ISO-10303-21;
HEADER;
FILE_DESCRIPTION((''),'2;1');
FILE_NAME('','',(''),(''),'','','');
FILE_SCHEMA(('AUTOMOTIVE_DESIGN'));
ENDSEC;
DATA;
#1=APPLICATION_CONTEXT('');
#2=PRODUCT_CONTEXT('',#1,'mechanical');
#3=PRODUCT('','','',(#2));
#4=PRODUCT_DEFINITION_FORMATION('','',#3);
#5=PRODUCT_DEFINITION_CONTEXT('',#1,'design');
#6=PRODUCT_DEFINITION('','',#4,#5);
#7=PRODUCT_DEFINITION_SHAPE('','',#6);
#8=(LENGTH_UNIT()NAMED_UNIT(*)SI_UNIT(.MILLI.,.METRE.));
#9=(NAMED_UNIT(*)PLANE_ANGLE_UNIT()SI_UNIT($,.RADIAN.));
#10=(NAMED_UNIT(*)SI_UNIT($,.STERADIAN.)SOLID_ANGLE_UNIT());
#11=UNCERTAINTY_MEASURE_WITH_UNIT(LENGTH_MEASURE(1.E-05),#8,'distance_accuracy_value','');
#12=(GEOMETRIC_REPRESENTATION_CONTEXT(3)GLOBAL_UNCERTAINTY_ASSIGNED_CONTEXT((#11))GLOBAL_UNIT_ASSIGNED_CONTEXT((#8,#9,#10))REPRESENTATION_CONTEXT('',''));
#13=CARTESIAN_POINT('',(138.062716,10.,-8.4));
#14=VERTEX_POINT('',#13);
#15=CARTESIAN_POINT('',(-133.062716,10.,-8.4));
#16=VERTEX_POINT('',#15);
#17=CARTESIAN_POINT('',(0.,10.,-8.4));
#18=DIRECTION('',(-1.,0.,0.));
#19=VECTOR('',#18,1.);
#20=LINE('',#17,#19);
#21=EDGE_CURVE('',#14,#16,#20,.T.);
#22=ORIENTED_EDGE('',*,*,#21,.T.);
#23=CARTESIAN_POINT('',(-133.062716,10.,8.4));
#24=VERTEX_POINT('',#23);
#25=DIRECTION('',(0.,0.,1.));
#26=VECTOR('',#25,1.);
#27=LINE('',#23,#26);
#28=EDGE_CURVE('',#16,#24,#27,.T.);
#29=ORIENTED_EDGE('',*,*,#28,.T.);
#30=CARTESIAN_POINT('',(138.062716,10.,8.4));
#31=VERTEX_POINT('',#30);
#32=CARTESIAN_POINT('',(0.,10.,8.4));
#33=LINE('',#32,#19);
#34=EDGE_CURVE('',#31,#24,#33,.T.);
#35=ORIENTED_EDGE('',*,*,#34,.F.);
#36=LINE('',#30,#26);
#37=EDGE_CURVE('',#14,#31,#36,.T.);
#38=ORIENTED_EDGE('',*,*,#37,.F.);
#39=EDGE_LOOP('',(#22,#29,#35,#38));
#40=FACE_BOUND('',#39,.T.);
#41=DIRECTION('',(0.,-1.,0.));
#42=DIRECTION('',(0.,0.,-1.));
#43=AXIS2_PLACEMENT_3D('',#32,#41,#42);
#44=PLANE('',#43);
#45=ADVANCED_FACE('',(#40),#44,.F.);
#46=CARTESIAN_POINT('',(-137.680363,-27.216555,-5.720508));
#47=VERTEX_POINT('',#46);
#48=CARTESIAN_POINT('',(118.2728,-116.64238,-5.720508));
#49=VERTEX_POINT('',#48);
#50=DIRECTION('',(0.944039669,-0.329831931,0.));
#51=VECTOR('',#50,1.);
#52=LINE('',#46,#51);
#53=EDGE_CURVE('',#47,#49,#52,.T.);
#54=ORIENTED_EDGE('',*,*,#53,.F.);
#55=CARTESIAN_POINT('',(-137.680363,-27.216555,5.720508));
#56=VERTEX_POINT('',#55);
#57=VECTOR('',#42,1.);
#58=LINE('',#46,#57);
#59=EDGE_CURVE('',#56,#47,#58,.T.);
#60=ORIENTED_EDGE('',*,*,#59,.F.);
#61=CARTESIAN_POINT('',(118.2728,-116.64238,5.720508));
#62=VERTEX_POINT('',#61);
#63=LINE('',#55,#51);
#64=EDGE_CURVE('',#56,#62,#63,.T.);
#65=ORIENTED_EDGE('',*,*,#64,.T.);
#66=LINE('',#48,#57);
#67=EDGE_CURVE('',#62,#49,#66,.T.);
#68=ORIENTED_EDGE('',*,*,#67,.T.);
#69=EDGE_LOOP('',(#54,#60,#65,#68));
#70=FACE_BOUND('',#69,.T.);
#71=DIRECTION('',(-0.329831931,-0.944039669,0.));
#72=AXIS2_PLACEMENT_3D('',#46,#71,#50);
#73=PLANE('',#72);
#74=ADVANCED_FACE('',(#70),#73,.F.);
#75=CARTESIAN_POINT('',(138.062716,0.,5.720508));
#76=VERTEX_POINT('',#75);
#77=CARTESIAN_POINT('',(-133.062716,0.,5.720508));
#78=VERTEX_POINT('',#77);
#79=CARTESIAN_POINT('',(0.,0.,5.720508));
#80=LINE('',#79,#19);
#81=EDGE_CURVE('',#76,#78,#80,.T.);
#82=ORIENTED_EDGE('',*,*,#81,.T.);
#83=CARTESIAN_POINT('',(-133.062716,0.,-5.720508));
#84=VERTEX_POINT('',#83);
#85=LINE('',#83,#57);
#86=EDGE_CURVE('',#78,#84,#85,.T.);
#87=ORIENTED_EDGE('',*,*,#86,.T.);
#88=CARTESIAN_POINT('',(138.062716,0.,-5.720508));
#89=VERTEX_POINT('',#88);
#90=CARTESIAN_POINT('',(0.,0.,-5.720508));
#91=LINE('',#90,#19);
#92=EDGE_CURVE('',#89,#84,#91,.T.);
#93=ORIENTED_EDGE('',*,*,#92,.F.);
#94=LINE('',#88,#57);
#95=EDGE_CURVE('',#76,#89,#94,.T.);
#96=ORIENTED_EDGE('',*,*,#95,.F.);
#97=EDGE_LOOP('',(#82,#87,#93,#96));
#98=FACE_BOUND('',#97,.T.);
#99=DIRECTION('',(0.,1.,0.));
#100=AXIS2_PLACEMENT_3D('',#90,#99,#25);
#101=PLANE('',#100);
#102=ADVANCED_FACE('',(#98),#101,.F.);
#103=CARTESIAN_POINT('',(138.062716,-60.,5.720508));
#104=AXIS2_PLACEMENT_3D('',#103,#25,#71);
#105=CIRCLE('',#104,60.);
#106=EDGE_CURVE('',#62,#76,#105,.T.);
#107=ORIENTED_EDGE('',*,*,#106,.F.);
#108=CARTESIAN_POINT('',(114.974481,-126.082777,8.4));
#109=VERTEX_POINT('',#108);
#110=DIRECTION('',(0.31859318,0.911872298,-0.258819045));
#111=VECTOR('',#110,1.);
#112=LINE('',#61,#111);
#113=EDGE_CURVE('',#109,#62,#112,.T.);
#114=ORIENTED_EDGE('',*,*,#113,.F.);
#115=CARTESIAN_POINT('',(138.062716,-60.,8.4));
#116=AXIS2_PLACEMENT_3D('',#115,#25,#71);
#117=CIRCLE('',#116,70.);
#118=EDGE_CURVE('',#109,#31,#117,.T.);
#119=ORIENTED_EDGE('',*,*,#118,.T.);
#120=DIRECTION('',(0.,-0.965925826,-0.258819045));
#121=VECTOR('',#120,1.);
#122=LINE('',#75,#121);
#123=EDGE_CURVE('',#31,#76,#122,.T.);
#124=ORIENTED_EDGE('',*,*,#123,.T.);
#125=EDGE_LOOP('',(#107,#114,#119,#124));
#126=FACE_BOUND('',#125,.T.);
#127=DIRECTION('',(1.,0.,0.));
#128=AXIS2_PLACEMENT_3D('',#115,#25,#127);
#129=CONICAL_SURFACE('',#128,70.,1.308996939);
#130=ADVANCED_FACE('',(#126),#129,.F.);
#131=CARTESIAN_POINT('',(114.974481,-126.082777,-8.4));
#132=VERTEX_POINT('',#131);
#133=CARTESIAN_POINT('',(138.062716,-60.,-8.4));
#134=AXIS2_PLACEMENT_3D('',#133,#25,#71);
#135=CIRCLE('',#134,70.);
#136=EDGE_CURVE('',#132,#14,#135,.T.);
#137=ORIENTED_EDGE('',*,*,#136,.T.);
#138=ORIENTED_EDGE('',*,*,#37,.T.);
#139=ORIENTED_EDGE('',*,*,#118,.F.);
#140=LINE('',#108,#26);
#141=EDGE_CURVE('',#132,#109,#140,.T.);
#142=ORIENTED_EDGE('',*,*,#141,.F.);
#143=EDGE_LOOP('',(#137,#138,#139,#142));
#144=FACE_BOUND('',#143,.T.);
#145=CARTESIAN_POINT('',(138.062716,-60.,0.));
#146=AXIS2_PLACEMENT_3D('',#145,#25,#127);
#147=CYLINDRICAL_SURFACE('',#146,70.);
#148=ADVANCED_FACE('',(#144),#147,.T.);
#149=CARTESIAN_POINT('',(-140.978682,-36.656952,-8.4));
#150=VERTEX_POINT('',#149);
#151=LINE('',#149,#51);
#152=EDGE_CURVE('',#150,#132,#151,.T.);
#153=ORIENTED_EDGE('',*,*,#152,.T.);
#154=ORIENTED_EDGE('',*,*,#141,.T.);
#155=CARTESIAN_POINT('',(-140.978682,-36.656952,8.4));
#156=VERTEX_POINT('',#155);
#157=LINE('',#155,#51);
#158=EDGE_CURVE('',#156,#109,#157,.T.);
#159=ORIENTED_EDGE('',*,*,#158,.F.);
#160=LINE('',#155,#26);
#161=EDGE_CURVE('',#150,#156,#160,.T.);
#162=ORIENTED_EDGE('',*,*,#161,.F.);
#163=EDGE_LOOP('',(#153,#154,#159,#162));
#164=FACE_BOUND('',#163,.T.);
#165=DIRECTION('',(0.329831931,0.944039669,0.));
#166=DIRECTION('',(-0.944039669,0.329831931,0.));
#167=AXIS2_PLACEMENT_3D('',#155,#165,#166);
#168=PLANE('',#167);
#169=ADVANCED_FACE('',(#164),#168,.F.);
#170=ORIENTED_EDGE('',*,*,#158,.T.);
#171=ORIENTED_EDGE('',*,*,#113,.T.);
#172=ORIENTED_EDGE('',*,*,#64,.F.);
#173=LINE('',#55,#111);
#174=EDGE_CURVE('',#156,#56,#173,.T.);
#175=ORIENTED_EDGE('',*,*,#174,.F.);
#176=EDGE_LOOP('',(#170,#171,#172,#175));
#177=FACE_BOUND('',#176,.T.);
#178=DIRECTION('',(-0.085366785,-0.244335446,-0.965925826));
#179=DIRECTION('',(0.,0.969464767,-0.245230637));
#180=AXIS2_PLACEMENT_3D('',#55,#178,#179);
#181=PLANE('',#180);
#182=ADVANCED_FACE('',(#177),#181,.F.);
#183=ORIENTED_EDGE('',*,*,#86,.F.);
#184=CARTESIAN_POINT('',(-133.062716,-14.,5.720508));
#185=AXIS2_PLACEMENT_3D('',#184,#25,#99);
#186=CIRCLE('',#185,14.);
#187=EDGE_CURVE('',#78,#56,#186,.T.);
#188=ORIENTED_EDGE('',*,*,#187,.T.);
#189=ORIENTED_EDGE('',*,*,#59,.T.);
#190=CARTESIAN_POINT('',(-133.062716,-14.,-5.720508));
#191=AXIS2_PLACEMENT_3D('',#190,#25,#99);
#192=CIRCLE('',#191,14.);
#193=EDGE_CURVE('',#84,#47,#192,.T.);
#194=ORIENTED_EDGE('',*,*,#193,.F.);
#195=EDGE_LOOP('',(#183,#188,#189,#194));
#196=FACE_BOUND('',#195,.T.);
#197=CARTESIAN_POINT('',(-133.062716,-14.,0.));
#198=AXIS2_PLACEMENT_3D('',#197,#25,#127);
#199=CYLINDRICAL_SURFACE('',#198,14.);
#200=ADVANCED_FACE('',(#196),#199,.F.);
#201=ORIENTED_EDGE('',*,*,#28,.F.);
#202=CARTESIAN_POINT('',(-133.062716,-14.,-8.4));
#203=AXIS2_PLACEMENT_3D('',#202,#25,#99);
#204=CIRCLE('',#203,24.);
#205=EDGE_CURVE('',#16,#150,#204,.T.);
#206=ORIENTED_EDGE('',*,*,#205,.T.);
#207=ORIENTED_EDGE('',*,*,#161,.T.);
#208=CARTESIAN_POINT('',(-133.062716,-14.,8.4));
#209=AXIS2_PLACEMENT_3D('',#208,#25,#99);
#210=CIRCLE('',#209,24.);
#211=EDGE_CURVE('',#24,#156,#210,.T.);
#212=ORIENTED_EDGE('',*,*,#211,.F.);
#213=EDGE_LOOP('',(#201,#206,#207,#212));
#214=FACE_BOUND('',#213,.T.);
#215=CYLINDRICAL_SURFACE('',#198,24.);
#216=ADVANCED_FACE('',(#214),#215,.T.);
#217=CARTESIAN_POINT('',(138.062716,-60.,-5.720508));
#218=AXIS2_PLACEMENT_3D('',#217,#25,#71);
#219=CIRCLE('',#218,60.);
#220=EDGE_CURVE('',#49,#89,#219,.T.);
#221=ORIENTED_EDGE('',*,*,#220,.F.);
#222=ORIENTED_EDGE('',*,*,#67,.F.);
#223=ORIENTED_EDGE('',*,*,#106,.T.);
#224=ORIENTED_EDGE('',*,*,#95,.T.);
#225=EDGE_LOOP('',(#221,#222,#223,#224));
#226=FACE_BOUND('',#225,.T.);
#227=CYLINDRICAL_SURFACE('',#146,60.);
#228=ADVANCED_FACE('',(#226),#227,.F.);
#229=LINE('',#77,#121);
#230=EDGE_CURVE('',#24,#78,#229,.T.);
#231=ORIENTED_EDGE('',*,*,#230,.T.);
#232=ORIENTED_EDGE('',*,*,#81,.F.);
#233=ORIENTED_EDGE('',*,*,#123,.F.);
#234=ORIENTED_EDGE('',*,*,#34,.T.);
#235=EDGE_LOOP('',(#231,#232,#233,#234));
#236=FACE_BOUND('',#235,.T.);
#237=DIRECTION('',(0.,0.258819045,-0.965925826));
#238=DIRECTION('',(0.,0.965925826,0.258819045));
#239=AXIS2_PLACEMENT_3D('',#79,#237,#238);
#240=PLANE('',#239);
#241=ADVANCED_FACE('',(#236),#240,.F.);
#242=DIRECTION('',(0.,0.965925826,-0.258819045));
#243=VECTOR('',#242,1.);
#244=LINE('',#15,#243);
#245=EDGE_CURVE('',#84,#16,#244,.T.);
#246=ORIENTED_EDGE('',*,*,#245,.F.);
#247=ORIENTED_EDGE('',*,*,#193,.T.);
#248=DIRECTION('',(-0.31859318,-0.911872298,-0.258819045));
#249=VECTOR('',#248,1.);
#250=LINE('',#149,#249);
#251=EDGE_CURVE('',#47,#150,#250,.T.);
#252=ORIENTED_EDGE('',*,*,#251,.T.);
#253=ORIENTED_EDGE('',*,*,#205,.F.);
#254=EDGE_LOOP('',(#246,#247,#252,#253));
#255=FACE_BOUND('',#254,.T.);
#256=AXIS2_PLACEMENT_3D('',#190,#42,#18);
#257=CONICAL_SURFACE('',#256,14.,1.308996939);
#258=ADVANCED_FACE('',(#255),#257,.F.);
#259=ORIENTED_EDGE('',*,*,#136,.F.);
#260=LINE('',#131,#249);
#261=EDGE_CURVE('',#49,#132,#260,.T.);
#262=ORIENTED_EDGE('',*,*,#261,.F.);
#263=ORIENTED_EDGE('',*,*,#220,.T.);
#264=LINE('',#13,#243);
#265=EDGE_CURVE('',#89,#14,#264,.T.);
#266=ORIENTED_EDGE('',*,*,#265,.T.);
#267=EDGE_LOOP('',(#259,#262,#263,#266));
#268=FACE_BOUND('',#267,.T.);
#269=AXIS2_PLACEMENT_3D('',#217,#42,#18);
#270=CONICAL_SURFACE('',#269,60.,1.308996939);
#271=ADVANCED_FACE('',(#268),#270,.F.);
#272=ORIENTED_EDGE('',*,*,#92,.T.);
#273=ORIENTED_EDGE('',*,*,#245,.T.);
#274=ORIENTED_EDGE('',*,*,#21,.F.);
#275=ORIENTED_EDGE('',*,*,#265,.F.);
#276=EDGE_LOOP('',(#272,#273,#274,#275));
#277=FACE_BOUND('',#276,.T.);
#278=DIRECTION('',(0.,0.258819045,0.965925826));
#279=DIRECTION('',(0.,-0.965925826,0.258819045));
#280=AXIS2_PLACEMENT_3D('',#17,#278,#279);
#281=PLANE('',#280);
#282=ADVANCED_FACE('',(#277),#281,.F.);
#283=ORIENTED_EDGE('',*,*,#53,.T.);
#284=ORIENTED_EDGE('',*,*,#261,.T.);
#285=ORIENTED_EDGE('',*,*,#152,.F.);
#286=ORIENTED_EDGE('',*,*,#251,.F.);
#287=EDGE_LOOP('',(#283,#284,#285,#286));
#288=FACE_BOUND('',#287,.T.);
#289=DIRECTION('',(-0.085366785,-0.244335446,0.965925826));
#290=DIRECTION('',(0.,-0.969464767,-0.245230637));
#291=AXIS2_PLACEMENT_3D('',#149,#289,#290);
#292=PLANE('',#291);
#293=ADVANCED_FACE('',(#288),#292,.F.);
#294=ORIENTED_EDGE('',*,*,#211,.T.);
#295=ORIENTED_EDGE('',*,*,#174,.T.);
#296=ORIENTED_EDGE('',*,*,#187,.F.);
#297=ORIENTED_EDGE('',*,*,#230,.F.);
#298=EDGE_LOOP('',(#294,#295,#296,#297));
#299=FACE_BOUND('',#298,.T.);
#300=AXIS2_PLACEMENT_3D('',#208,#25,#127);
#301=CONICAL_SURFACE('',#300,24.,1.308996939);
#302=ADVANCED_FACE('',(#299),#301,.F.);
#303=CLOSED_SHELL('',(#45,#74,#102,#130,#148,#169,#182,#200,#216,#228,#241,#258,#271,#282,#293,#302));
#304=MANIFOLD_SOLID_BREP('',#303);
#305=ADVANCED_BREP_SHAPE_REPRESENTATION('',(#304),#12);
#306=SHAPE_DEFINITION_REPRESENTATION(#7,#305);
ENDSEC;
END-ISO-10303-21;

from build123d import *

# Parameters (mm, degrees)
RESSALTO_EXTRUS_O1_DEPTH = 5


with BuildPart() as part:
    # Varredura1: sweep along a path in Esboço1
    with BuildLine(Plane.XY) as varredura1_path:
        Line((0, 0), (-133.062716113, 0))
        ThreePointArc((-133.062716113, 0), (-146.86546539, -11.658181818), (-137.680363144, -27.216555372))
        Line((-137.680363144, -27.216555372), (118.272800267, -116.642380165))
        ThreePointArc((118.272800267, -116.642380165), (197.217355872, -70.036363636), (138.062716113, 0))
        Line((138.062716113, 0), (5, 0))
    # Esboço2 → Varredura1 (sweep)
    with BuildSketch(Plane(origin=(0, 0, 0), x_dir=(0, 0, -1), z_dir=(1, 0, 0))):
        Polygon((-8.4, 10), (8.4, 10), (5.720508076, 0), (-5.720508076, 0), align=None)
    sweep(path=varredura1_path.line)

    # Esboço3 → Ressalto-extrusão1 (add)
    with BuildSketch(Plane(origin=(0, 0, 0), x_dir=(0, 0, -1), z_dir=(1, 0, 0))):
        Polygon((-8.4, 10), (-5.720508076, 0), (5.720508076, 0), (8.4, 10), align=None)
    extrude(amount=RESSALTO_EXTRUS_O1_DEPTH)


solid = part.part
